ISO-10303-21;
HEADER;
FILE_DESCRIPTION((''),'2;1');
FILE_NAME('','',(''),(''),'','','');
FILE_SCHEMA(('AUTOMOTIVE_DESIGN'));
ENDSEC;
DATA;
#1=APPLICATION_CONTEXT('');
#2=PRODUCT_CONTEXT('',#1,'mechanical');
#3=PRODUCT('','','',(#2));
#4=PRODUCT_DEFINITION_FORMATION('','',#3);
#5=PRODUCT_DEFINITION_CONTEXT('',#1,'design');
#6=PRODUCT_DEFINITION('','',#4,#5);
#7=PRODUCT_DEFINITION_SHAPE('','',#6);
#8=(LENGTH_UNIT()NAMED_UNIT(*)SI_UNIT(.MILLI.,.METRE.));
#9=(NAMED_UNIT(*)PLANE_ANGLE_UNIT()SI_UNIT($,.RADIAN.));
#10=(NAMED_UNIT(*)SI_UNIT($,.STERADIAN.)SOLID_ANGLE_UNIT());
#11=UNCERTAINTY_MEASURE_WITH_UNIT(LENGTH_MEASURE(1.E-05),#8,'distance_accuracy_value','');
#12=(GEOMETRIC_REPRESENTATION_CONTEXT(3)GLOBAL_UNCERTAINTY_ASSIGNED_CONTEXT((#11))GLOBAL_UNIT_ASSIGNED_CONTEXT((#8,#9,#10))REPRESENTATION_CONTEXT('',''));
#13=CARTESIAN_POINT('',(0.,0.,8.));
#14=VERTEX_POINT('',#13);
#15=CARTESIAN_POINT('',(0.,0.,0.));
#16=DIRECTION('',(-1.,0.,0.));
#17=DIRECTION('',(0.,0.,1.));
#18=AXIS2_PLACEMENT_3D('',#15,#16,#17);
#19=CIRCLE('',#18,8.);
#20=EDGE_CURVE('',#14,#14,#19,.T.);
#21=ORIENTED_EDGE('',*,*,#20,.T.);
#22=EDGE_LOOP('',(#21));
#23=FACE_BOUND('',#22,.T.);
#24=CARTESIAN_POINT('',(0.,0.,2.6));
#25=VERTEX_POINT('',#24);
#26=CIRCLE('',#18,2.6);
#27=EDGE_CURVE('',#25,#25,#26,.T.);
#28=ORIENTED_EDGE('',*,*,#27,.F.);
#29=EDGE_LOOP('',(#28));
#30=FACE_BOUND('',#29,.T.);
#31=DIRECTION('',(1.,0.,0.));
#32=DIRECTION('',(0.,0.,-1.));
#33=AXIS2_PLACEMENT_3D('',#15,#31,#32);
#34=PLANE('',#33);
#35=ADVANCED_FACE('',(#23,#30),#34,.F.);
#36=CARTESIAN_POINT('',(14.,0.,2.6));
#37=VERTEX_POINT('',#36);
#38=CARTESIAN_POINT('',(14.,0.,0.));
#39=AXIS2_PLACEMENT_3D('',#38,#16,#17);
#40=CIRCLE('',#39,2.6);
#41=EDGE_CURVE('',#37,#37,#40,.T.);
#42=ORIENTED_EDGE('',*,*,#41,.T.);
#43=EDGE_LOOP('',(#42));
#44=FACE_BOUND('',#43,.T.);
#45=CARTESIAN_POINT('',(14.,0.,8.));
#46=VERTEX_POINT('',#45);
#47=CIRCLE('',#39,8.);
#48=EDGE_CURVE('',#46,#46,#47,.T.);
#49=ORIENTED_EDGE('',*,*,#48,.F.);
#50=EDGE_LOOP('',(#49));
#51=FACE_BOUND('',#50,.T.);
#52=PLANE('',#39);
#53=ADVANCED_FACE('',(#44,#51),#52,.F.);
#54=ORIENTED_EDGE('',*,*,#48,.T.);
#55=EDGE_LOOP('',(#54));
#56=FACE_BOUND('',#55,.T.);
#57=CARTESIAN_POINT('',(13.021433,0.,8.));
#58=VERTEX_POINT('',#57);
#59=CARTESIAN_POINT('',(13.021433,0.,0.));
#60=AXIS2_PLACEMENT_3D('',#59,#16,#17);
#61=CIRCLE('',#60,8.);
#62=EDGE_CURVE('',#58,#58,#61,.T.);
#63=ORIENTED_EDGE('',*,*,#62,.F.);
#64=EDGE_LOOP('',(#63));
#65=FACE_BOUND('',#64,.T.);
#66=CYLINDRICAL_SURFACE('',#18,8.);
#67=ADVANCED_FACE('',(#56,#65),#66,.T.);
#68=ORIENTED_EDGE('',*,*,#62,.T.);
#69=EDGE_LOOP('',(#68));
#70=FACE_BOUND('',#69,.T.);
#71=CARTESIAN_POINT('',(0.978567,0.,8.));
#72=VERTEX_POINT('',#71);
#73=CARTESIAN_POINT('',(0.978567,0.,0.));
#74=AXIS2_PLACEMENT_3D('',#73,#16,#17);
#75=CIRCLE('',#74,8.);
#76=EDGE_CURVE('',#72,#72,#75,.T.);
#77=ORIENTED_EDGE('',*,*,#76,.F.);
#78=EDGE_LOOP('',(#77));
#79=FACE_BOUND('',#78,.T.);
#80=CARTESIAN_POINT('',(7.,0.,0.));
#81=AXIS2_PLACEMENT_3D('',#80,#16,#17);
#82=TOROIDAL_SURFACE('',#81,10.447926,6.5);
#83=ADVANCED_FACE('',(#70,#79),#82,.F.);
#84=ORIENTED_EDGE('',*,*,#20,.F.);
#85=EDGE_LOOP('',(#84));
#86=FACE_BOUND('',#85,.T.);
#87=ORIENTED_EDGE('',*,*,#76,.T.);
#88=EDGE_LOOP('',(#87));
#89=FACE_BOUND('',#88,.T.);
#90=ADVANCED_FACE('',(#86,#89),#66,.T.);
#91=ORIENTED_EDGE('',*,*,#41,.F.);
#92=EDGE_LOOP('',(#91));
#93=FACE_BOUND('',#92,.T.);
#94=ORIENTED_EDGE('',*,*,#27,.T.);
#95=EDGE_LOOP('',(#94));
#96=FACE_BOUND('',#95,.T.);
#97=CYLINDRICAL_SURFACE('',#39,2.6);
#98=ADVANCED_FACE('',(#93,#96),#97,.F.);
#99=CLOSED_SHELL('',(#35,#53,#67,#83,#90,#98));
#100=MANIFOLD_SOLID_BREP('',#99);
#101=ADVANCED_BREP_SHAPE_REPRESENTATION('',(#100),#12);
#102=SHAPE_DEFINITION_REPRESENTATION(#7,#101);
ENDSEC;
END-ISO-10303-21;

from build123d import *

# Parameters (mm, degrees)
SKETCH3_R          = 2.6
CUT_EXTRUDE1_DEPTH = 19


with BuildPart() as part:
    # Sketch2 → Revolve2 (revolve)
    with BuildSketch(Plane(origin=(0, 0, 0), x_dir=(1, 0, 0), z_dir=(0, 1, 0)), mode=Mode.PRIVATE) as revolve2_sk:
        with BuildLine():
            Line((0, 0), (14, 0))
            Line((14, 0), (14, 8))
            Line((14, 8), (13.021433052, 8))
            ThreePointArc((13.021433052, 8), (7, 3.94792647), (0.978566948, 8))
            Line((0.978566948, 8), (0, 8))
            Line((0, 8), (0, 0))
        make_face()
    revolve(revolve2_sk.sketch.rotate(Axis((0, 0, 0), (1, 0, 0)), 180), axis=Axis((0, 0, 0), (1, 0, 0)))

    # Sketch3 → Cut-Extrude1 (cut, through all)
    with BuildSketch(Plane.ZY):
        Circle(SKETCH3_R)
    extrude(amount=-CUT_EXTRUDE1_DEPTH, mode=Mode.SUBTRACT)


solid = part.part
